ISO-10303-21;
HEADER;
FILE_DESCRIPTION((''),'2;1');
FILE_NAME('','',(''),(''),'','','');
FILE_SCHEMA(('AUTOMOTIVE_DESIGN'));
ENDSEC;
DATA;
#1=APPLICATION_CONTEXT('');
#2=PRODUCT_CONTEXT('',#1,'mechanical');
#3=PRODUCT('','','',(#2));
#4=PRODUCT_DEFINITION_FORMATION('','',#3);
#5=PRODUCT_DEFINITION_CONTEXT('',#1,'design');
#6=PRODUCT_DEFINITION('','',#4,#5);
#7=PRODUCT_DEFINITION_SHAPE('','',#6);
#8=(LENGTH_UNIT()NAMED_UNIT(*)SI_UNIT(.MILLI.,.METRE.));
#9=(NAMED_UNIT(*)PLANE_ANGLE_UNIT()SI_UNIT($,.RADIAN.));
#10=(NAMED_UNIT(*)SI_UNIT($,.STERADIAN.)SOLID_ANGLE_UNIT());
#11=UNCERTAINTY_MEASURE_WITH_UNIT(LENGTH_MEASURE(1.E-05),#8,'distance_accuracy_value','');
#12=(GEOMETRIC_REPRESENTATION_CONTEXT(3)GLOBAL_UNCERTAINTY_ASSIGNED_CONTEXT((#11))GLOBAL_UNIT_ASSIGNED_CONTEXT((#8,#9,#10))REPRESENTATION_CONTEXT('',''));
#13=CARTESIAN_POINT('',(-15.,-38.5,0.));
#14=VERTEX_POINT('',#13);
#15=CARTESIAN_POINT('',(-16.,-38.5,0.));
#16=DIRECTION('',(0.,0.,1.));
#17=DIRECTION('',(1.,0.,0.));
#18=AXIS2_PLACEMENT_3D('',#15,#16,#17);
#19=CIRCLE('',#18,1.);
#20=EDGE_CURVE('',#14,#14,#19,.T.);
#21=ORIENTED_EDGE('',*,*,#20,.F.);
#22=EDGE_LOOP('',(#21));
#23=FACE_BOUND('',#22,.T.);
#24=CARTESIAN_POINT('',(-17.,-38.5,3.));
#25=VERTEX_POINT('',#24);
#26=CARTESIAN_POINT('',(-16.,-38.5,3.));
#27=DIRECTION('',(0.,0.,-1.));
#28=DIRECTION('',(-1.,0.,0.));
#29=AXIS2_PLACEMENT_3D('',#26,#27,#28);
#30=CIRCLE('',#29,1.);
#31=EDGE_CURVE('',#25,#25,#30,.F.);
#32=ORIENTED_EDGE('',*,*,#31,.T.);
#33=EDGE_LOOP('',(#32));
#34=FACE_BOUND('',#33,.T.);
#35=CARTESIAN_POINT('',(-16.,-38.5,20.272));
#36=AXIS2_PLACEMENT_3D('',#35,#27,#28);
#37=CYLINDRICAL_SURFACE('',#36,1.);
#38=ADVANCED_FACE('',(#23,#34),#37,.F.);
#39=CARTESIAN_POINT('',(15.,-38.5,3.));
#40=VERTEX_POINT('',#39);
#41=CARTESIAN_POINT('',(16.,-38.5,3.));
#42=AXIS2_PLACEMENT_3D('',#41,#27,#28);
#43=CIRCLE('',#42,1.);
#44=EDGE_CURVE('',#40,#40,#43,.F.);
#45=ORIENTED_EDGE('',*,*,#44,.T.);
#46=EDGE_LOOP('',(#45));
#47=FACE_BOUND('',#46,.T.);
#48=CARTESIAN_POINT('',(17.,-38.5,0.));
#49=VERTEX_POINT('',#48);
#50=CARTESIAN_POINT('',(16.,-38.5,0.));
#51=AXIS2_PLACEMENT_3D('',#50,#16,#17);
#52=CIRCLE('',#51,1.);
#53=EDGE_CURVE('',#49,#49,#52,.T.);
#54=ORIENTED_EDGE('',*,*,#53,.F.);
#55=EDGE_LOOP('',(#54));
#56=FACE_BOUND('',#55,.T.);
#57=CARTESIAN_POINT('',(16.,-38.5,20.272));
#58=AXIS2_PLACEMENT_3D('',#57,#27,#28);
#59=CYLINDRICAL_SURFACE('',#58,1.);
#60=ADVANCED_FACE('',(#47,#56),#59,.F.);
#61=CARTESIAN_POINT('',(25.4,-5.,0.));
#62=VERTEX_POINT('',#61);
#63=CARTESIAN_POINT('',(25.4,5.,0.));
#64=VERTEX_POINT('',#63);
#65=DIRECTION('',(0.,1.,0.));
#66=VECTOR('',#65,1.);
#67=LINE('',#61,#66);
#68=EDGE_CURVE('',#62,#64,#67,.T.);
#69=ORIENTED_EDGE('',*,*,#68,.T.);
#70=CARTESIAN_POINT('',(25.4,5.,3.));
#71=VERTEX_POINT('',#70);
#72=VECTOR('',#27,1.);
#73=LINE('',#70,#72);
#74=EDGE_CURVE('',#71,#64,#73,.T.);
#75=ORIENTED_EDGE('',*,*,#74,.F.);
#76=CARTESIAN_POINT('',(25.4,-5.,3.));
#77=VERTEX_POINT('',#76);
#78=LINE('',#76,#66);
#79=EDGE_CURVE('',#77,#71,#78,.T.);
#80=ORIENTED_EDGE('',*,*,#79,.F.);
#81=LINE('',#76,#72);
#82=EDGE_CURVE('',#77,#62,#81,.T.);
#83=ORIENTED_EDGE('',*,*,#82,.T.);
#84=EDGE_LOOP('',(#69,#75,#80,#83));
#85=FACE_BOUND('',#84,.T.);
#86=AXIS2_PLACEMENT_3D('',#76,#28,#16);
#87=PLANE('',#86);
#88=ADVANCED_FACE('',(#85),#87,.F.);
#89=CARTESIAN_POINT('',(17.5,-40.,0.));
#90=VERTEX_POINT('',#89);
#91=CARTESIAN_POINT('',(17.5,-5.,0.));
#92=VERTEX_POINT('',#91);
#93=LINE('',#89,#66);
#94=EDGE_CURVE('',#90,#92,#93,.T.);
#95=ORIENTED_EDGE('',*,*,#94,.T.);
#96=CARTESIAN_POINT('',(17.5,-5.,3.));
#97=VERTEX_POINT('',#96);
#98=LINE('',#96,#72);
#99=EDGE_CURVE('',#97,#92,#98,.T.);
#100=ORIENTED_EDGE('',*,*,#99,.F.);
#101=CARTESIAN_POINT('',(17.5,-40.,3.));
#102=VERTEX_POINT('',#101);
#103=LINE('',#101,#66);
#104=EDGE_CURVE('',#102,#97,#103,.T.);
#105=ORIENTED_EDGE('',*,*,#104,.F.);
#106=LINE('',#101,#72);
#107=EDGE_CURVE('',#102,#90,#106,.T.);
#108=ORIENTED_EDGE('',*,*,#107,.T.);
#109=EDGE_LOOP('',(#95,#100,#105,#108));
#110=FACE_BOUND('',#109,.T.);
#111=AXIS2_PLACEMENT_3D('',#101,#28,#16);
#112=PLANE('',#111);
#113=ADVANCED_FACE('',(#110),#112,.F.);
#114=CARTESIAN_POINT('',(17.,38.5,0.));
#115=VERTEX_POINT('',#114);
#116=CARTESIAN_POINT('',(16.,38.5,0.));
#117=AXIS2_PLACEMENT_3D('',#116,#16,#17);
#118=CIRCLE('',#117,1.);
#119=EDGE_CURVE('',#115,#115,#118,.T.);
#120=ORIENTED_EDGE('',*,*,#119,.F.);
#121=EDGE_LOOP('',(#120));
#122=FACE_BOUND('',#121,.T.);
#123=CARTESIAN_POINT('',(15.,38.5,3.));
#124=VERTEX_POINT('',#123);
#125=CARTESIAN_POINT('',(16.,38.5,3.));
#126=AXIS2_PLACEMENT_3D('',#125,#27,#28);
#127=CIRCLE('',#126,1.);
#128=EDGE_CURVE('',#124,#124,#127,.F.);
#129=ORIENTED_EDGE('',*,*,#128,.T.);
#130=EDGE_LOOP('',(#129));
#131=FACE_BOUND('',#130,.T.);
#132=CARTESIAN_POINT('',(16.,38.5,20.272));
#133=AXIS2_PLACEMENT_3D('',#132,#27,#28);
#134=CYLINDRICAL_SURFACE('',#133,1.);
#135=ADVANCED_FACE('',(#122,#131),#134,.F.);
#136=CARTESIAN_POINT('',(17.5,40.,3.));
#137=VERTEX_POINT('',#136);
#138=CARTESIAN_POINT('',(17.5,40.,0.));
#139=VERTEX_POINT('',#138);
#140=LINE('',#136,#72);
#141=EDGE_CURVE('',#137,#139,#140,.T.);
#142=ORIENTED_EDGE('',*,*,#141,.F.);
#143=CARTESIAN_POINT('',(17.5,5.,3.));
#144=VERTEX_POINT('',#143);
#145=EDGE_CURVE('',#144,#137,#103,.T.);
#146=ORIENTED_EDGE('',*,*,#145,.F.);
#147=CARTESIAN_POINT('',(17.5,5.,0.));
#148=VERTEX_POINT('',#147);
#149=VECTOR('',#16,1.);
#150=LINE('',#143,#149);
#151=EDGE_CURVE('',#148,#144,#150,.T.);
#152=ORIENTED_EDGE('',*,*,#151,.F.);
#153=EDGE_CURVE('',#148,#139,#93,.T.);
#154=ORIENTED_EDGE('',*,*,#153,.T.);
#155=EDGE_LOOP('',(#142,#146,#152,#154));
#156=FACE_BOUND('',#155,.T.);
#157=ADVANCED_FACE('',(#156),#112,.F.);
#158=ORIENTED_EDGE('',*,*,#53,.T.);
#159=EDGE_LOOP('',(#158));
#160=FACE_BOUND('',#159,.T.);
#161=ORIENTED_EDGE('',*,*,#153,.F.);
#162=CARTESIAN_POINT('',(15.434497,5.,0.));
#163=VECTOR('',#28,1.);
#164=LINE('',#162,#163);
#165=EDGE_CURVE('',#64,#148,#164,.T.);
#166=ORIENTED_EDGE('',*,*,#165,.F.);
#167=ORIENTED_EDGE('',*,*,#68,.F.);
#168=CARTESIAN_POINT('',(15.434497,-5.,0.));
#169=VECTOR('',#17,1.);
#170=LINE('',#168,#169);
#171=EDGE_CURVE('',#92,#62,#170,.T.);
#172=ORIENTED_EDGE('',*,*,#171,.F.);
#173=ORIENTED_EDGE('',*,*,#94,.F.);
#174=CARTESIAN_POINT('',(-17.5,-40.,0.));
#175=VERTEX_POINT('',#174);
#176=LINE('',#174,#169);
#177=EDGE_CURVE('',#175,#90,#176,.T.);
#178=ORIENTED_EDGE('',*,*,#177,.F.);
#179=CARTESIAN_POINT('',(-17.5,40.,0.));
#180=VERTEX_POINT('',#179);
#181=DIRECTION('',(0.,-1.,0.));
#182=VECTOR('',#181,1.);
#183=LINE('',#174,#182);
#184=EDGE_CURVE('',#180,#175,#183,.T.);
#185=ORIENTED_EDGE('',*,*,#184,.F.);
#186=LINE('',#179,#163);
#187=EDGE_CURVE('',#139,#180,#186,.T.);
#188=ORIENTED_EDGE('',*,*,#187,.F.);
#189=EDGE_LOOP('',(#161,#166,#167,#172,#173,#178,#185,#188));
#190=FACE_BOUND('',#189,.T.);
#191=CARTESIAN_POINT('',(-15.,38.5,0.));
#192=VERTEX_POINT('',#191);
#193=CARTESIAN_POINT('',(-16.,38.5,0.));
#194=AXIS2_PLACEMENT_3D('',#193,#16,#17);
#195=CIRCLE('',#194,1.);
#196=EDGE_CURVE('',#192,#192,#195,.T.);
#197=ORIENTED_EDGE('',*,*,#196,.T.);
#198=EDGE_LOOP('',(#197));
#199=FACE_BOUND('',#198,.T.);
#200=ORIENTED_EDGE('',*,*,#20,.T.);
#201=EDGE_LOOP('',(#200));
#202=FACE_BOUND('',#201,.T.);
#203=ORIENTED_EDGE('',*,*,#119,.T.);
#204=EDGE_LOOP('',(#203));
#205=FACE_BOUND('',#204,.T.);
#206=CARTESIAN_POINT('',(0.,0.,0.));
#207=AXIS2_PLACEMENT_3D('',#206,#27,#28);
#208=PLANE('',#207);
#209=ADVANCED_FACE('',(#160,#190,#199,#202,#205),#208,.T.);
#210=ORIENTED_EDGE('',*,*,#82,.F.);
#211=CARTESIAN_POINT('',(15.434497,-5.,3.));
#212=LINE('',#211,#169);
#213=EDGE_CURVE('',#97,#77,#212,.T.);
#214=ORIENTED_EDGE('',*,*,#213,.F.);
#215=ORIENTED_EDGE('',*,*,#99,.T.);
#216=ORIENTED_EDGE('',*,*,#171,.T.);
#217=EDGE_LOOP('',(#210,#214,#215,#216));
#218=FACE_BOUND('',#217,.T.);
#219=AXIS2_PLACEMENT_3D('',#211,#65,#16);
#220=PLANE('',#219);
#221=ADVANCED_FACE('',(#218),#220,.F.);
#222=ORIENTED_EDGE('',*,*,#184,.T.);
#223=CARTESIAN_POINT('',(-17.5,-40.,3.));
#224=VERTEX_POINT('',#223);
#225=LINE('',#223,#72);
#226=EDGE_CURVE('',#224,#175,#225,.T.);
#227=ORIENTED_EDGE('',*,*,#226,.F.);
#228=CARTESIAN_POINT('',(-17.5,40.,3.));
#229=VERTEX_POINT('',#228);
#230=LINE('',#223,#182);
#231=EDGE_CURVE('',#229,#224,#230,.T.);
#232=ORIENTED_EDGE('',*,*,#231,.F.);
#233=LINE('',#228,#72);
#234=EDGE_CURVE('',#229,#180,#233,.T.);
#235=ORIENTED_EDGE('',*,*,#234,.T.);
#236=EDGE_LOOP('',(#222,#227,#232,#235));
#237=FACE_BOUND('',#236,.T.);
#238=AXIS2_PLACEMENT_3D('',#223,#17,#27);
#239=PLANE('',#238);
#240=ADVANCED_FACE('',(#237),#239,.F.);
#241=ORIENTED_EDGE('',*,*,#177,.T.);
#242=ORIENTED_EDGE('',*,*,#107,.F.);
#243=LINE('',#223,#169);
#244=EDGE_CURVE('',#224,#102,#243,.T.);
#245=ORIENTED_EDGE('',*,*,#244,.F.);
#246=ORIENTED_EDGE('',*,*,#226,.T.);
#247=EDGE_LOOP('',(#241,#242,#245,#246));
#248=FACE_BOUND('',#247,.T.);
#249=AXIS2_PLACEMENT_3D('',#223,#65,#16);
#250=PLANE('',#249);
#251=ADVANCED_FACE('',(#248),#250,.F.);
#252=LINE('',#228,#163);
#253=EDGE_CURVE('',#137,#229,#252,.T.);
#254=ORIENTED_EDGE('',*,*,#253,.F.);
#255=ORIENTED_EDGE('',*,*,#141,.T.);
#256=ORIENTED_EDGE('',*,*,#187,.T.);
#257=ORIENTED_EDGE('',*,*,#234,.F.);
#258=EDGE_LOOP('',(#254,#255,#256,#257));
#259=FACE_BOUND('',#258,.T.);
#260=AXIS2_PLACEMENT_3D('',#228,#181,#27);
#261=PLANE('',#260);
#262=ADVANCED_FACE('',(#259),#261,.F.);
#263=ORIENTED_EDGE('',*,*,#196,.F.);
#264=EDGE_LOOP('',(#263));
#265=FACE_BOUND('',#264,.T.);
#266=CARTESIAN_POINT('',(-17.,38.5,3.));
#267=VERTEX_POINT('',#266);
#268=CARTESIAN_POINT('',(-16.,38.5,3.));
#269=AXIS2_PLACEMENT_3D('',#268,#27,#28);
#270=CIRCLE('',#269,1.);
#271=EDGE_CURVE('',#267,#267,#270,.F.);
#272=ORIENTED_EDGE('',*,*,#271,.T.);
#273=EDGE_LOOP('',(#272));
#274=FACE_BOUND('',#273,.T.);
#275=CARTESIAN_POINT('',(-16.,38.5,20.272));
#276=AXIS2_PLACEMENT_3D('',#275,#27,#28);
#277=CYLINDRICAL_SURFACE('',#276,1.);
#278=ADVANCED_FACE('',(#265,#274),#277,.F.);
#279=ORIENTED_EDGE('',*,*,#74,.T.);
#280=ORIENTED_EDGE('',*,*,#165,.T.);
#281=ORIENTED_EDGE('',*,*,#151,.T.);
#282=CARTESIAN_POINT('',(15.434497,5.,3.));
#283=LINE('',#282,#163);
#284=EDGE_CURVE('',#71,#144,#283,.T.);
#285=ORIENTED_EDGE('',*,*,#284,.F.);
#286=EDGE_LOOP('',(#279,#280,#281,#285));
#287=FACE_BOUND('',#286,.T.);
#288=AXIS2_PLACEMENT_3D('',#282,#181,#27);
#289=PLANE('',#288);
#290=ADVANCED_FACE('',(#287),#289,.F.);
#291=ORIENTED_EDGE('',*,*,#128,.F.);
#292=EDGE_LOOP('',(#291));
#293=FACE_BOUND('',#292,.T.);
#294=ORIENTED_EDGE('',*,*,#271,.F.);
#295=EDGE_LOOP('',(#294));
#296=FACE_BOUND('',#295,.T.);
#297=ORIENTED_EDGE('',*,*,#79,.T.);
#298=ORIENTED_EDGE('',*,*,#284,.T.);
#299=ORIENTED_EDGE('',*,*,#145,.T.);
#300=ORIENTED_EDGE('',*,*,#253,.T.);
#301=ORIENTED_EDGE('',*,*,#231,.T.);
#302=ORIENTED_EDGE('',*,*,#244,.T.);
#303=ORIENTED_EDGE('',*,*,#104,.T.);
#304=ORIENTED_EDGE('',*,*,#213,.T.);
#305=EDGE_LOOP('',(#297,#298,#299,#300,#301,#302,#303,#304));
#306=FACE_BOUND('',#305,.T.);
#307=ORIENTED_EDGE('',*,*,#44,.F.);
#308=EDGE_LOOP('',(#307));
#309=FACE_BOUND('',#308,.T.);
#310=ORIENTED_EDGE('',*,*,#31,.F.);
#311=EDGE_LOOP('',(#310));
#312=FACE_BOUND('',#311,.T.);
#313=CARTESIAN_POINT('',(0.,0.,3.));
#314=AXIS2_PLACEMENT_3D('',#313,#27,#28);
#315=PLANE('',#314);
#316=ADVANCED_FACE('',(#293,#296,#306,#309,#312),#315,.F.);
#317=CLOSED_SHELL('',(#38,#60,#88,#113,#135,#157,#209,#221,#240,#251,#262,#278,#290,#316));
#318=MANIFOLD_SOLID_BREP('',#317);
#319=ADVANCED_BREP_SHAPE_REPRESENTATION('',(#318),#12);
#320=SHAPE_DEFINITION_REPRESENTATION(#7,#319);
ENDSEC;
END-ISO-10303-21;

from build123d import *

# Parameters (mm, degrees)
SKETCH1_W           = 35
SKETCH1_H           = 80
BOSS_EXTRUDE1_DEPTH = 3
SKETCH2_W           = 9.965503069
SKETCH2_H           = 10
BOSS_EXTRUDE2_DEPTH = 3
SKETCH3_R           = 1
CUT_EXTRUDE2_DEPTH  = 20.272


with BuildPart() as part:
    # Sketch1 → Boss-Extrude1 (new body)
    with BuildSketch(Plane.XY):
        Rectangle(SKETCH1_W, SKETCH1_H)
    extrude(amount=BOSS_EXTRUDE1_DEPTH)

    # Sketch2 → Boss-Extrude2 (add)
    with BuildSketch(Plane.XY):
        with Locations((20.417248466, 0)):
            Rectangle(SKETCH2_W, SKETCH2_H)
    extrude(amount=BOSS_EXTRUDE2_DEPTH)

    # Sketch3 → Cut-Extrude2 (cut)
    with BuildSketch(Plane.XY):
        with Locations(Location((16, 38.5, 0), (0, 0, 180))):
            Circle(SKETCH3_R)
        with Locations(Location((-16, 38.5, 0), (0, 0, 180))):
            Circle(SKETCH3_R)
        with Locations(Location((16, -38.5, 0), (0, 0, 180))):
            Circle(SKETCH3_R)
        with Locations(Location((-16, -38.5, 0), (0, 0, 180))):
            Circle(SKETCH3_R)
    extrude(amount=CUT_EXTRUDE2_DEPTH, mode=Mode.SUBTRACT)


solid = part.part
